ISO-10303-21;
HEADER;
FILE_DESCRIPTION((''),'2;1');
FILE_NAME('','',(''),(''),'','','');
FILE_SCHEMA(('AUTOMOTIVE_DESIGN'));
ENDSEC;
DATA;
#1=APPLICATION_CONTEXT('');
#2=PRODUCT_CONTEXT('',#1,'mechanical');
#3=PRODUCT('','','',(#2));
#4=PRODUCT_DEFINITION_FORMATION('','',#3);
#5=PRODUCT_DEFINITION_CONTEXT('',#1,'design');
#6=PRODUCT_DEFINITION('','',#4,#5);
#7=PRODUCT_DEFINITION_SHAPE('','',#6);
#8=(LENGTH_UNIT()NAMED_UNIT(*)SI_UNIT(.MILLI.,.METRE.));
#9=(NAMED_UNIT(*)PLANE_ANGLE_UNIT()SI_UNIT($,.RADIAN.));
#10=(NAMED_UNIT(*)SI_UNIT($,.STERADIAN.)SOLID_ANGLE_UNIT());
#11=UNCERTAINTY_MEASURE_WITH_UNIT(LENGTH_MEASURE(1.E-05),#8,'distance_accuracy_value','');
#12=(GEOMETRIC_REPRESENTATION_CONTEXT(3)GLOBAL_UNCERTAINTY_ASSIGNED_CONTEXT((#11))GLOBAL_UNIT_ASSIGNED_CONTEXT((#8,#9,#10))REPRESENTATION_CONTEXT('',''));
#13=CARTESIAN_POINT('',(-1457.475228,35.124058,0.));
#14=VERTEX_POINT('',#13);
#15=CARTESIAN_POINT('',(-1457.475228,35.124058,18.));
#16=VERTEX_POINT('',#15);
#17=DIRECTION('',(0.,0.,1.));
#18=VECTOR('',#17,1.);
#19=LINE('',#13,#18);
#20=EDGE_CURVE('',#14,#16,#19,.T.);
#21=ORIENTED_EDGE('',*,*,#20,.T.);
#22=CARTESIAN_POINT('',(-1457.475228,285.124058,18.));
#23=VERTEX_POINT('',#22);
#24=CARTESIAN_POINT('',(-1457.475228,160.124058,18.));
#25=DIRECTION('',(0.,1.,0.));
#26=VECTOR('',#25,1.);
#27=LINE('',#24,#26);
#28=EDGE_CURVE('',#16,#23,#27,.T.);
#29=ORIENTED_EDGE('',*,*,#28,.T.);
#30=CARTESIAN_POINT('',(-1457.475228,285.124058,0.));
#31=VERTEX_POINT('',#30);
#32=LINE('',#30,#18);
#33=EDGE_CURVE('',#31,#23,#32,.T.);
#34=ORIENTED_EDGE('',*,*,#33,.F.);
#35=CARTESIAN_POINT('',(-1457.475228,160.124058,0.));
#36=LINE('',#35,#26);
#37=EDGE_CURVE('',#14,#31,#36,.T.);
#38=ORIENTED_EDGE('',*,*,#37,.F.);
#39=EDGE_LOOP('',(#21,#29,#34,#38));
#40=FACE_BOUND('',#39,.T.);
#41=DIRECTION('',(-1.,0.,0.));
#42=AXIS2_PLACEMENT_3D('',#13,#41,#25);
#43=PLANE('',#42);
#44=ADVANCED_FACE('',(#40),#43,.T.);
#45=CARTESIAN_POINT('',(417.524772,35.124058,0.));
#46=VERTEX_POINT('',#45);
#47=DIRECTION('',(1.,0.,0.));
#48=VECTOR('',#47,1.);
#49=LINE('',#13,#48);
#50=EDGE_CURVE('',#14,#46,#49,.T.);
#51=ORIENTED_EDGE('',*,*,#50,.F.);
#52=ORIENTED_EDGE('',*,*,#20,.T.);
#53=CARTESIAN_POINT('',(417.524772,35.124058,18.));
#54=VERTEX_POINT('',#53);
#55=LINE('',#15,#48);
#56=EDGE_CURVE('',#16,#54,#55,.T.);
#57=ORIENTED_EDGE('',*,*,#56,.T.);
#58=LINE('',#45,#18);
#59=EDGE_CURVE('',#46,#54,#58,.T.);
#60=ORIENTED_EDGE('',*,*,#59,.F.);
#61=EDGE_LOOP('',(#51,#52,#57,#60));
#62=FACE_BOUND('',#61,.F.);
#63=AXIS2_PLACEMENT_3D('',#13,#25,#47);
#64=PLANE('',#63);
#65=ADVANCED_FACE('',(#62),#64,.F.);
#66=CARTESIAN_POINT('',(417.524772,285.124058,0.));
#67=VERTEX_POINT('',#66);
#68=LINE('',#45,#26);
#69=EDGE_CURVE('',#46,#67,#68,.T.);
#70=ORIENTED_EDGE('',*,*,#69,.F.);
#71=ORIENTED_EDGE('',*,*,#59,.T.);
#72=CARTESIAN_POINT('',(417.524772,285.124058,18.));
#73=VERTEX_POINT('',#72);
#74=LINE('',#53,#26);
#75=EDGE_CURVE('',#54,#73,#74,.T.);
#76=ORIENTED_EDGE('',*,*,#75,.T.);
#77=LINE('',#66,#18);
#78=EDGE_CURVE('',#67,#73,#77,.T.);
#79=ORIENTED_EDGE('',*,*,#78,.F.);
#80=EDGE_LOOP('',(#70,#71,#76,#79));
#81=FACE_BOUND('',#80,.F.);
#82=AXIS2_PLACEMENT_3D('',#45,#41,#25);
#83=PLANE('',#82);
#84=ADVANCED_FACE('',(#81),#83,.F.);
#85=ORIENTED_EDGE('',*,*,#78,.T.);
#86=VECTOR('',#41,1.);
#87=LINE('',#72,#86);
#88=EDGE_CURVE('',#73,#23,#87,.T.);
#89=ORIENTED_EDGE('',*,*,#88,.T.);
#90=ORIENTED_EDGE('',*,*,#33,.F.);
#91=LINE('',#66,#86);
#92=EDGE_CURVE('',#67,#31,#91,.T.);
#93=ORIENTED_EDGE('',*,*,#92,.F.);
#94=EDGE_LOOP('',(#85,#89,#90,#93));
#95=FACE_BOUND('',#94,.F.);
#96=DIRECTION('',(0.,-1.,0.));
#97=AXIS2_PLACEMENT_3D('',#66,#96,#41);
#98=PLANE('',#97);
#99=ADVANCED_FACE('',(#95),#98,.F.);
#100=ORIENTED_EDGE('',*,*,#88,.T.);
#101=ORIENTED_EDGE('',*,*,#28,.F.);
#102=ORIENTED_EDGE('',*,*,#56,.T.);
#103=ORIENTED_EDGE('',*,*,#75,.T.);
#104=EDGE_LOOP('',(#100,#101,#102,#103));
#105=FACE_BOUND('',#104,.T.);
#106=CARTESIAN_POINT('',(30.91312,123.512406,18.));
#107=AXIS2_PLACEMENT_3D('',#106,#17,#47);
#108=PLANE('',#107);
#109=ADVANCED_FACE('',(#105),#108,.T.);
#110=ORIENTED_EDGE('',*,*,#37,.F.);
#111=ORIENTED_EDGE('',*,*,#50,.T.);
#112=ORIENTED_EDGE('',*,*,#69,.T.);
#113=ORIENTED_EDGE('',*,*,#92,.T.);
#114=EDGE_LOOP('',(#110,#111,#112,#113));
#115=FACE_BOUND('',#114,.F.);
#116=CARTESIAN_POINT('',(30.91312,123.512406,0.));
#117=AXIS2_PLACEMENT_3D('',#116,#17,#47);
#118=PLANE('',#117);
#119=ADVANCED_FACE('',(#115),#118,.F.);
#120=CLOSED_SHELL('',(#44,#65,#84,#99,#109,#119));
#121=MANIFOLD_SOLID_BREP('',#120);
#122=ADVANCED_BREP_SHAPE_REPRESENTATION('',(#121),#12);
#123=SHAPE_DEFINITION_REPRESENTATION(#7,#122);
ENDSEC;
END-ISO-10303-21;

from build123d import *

# Parameters (mm, degrees)
F0_W     = 1400
F0_H     = 250
F1_DEPTH = 18


with BuildPart() as f1:
    # F0 (on Top) → F1 (new body)
    with BuildSketch(Plane.XY):
        Polygon((62.735137, 164.913694), (-57.475228, 285.124058), (-57.475228, 35.124058), (192.524772, 35.124058), align=None)
        with Locations((-757.475228, 160.124058)):
            Rectangle(F0_W, F0_H)
        Polygon((417.524772, 285.124058), (-57.475228, 285.124058), (62.735137, 164.913694), (192.524772, 35.124058), (417.524772, 35.124058), align=None)
    extrude(amount=F1_DEPTH)


solid = f1.part
